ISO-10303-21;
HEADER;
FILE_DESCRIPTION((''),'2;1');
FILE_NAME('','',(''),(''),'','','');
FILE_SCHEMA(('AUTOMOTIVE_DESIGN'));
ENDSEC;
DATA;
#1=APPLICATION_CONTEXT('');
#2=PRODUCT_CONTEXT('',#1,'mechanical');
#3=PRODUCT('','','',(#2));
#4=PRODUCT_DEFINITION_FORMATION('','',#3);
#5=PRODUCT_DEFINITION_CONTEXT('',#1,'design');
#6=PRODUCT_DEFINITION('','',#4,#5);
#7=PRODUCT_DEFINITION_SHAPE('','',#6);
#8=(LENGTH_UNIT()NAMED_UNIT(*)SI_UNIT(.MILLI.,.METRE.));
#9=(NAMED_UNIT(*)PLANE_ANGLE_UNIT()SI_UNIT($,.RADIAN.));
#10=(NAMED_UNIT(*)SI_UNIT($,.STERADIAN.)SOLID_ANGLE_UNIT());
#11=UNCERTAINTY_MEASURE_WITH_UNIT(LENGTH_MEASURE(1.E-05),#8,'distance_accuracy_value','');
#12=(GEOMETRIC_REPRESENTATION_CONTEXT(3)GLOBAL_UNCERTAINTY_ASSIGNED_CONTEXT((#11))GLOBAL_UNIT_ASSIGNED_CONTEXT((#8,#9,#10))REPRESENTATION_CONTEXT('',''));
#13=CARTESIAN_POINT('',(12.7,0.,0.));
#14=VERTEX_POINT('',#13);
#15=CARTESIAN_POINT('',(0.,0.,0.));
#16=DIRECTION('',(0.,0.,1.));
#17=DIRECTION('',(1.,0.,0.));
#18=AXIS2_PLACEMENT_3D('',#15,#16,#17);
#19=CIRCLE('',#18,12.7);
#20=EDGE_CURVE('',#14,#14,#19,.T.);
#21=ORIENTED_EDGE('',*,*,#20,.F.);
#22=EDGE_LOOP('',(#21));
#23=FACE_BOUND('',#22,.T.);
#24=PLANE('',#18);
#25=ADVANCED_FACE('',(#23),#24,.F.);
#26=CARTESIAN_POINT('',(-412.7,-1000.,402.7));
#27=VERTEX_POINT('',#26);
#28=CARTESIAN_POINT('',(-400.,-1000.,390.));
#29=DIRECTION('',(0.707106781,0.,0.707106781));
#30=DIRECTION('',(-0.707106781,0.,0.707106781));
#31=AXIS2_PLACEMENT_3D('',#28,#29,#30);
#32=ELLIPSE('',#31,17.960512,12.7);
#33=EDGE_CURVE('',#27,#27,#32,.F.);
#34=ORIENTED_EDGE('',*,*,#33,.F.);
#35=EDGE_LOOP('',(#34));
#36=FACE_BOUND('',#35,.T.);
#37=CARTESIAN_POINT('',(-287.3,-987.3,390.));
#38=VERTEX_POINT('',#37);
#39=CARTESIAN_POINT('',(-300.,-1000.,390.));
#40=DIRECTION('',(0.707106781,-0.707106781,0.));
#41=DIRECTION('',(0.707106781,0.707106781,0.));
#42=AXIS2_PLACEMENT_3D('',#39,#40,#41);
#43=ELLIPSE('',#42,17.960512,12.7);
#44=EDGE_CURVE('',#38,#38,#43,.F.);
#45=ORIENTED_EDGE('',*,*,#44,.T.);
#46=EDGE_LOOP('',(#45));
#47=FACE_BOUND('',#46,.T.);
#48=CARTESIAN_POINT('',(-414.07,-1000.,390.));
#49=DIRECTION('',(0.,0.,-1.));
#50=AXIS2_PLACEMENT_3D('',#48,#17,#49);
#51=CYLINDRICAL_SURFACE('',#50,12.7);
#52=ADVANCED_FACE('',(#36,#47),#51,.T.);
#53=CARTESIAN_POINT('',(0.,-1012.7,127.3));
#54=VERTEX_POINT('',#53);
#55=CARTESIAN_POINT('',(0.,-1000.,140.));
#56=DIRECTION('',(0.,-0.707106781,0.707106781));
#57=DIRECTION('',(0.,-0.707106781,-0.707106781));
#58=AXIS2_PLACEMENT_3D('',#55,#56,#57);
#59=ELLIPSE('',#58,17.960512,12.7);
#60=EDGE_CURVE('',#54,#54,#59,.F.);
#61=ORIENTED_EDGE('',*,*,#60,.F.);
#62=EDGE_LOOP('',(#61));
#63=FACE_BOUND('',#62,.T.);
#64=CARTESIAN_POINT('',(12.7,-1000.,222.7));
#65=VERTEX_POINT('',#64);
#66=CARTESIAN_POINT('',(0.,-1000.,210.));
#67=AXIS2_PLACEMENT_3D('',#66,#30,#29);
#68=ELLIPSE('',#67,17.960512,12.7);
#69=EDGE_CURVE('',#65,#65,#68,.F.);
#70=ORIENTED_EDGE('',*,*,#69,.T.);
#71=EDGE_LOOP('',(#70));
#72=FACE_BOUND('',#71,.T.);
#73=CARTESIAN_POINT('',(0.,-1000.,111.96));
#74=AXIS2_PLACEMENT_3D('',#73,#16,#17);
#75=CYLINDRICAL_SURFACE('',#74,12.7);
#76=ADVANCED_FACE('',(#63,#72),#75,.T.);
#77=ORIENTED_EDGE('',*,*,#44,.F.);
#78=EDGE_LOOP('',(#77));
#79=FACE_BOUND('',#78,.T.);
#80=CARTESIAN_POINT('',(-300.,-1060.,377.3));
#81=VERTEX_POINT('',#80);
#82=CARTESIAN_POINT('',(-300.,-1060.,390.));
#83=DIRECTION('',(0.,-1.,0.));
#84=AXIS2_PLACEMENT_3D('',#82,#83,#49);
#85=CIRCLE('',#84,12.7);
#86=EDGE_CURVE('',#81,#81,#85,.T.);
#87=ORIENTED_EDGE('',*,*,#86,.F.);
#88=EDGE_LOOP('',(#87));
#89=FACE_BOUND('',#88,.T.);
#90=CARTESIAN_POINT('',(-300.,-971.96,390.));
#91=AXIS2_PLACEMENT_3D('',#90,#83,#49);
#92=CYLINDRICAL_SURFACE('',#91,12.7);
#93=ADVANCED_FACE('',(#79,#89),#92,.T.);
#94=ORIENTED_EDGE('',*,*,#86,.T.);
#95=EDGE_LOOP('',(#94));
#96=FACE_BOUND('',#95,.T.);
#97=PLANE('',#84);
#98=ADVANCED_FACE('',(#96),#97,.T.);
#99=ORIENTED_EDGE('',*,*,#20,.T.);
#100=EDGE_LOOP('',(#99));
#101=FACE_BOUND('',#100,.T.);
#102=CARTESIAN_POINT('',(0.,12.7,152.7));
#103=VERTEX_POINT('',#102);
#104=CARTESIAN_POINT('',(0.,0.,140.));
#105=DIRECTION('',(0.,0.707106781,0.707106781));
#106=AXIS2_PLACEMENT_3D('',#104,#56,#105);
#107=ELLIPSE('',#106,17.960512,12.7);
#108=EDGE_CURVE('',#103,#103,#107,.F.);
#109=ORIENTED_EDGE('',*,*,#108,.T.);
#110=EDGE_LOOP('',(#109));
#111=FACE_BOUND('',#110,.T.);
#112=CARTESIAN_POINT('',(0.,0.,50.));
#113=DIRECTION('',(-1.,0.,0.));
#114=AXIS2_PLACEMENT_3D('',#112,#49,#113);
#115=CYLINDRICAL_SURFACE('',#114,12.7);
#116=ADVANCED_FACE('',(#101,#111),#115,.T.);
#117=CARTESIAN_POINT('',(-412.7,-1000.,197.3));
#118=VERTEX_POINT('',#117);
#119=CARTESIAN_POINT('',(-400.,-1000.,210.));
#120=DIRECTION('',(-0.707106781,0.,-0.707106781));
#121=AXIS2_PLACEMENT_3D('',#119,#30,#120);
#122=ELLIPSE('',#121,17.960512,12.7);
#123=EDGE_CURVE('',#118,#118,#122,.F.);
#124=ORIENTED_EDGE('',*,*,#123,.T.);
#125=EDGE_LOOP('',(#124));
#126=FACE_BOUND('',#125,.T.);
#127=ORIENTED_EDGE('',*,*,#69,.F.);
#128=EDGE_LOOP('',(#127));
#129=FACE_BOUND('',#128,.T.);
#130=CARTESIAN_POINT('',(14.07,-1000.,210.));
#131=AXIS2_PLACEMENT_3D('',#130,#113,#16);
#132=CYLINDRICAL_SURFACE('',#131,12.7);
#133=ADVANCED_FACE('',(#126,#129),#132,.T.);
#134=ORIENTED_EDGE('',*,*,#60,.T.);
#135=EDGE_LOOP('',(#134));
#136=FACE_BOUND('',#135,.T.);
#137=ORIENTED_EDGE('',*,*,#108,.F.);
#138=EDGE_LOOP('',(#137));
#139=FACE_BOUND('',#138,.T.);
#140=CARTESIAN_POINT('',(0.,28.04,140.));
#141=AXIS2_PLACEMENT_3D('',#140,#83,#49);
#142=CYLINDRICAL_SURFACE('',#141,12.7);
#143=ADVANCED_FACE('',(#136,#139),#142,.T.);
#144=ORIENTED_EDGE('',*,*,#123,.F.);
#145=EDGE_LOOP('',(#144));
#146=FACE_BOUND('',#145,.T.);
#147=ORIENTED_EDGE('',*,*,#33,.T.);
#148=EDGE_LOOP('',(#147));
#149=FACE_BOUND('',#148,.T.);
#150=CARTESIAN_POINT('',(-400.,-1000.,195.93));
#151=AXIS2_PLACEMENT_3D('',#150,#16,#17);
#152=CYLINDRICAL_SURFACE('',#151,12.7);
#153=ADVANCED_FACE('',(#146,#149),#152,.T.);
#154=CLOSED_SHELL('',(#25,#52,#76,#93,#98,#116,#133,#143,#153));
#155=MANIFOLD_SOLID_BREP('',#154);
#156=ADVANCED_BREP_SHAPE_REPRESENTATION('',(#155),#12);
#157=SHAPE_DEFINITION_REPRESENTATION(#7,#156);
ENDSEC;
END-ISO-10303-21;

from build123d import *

# Parameters (mm, degrees)
CROQUIS1_R              = 12.7
SALIENTE_EXTRUIR1_DEPTH = 50
CROQUIS2_R              = 12.7


with BuildPart() as part:
    # Croquis1 → Saliente-Extruir1 (new body)
    with BuildSketch(Plane.XY):
        Circle(CROQUIS1_R)
    extrude(amount=SALIENTE_EXTRUIR1_DEPTH)

    # Barrer1: sweep along a curve in space
    with BuildLine() as barrer1_path:
        Line((0, 0, 50), (0, 0, 140))
        Line((0, 0, 140), (0, -1000, 140))
        Line((0, -1000, 140), (0, -1000, 210))
        Line((0, -1000, 210), (-400, -1000, 210))
        Line((-400, -1000, 210), (-400, -1000, 390))
        Line((-400, -1000, 390), (-300, -1000, 390))
        Line((-300, -1000, 390), (-300, -1060, 390))
    # Croquis2 → Barrer1 (sweep)
    with BuildSketch(Plane.XY.offset(50)):
        Circle(CROQUIS2_R)
    sweep(path=barrer1_path.line, transition=Transition.RIGHT)


solid = part.part
